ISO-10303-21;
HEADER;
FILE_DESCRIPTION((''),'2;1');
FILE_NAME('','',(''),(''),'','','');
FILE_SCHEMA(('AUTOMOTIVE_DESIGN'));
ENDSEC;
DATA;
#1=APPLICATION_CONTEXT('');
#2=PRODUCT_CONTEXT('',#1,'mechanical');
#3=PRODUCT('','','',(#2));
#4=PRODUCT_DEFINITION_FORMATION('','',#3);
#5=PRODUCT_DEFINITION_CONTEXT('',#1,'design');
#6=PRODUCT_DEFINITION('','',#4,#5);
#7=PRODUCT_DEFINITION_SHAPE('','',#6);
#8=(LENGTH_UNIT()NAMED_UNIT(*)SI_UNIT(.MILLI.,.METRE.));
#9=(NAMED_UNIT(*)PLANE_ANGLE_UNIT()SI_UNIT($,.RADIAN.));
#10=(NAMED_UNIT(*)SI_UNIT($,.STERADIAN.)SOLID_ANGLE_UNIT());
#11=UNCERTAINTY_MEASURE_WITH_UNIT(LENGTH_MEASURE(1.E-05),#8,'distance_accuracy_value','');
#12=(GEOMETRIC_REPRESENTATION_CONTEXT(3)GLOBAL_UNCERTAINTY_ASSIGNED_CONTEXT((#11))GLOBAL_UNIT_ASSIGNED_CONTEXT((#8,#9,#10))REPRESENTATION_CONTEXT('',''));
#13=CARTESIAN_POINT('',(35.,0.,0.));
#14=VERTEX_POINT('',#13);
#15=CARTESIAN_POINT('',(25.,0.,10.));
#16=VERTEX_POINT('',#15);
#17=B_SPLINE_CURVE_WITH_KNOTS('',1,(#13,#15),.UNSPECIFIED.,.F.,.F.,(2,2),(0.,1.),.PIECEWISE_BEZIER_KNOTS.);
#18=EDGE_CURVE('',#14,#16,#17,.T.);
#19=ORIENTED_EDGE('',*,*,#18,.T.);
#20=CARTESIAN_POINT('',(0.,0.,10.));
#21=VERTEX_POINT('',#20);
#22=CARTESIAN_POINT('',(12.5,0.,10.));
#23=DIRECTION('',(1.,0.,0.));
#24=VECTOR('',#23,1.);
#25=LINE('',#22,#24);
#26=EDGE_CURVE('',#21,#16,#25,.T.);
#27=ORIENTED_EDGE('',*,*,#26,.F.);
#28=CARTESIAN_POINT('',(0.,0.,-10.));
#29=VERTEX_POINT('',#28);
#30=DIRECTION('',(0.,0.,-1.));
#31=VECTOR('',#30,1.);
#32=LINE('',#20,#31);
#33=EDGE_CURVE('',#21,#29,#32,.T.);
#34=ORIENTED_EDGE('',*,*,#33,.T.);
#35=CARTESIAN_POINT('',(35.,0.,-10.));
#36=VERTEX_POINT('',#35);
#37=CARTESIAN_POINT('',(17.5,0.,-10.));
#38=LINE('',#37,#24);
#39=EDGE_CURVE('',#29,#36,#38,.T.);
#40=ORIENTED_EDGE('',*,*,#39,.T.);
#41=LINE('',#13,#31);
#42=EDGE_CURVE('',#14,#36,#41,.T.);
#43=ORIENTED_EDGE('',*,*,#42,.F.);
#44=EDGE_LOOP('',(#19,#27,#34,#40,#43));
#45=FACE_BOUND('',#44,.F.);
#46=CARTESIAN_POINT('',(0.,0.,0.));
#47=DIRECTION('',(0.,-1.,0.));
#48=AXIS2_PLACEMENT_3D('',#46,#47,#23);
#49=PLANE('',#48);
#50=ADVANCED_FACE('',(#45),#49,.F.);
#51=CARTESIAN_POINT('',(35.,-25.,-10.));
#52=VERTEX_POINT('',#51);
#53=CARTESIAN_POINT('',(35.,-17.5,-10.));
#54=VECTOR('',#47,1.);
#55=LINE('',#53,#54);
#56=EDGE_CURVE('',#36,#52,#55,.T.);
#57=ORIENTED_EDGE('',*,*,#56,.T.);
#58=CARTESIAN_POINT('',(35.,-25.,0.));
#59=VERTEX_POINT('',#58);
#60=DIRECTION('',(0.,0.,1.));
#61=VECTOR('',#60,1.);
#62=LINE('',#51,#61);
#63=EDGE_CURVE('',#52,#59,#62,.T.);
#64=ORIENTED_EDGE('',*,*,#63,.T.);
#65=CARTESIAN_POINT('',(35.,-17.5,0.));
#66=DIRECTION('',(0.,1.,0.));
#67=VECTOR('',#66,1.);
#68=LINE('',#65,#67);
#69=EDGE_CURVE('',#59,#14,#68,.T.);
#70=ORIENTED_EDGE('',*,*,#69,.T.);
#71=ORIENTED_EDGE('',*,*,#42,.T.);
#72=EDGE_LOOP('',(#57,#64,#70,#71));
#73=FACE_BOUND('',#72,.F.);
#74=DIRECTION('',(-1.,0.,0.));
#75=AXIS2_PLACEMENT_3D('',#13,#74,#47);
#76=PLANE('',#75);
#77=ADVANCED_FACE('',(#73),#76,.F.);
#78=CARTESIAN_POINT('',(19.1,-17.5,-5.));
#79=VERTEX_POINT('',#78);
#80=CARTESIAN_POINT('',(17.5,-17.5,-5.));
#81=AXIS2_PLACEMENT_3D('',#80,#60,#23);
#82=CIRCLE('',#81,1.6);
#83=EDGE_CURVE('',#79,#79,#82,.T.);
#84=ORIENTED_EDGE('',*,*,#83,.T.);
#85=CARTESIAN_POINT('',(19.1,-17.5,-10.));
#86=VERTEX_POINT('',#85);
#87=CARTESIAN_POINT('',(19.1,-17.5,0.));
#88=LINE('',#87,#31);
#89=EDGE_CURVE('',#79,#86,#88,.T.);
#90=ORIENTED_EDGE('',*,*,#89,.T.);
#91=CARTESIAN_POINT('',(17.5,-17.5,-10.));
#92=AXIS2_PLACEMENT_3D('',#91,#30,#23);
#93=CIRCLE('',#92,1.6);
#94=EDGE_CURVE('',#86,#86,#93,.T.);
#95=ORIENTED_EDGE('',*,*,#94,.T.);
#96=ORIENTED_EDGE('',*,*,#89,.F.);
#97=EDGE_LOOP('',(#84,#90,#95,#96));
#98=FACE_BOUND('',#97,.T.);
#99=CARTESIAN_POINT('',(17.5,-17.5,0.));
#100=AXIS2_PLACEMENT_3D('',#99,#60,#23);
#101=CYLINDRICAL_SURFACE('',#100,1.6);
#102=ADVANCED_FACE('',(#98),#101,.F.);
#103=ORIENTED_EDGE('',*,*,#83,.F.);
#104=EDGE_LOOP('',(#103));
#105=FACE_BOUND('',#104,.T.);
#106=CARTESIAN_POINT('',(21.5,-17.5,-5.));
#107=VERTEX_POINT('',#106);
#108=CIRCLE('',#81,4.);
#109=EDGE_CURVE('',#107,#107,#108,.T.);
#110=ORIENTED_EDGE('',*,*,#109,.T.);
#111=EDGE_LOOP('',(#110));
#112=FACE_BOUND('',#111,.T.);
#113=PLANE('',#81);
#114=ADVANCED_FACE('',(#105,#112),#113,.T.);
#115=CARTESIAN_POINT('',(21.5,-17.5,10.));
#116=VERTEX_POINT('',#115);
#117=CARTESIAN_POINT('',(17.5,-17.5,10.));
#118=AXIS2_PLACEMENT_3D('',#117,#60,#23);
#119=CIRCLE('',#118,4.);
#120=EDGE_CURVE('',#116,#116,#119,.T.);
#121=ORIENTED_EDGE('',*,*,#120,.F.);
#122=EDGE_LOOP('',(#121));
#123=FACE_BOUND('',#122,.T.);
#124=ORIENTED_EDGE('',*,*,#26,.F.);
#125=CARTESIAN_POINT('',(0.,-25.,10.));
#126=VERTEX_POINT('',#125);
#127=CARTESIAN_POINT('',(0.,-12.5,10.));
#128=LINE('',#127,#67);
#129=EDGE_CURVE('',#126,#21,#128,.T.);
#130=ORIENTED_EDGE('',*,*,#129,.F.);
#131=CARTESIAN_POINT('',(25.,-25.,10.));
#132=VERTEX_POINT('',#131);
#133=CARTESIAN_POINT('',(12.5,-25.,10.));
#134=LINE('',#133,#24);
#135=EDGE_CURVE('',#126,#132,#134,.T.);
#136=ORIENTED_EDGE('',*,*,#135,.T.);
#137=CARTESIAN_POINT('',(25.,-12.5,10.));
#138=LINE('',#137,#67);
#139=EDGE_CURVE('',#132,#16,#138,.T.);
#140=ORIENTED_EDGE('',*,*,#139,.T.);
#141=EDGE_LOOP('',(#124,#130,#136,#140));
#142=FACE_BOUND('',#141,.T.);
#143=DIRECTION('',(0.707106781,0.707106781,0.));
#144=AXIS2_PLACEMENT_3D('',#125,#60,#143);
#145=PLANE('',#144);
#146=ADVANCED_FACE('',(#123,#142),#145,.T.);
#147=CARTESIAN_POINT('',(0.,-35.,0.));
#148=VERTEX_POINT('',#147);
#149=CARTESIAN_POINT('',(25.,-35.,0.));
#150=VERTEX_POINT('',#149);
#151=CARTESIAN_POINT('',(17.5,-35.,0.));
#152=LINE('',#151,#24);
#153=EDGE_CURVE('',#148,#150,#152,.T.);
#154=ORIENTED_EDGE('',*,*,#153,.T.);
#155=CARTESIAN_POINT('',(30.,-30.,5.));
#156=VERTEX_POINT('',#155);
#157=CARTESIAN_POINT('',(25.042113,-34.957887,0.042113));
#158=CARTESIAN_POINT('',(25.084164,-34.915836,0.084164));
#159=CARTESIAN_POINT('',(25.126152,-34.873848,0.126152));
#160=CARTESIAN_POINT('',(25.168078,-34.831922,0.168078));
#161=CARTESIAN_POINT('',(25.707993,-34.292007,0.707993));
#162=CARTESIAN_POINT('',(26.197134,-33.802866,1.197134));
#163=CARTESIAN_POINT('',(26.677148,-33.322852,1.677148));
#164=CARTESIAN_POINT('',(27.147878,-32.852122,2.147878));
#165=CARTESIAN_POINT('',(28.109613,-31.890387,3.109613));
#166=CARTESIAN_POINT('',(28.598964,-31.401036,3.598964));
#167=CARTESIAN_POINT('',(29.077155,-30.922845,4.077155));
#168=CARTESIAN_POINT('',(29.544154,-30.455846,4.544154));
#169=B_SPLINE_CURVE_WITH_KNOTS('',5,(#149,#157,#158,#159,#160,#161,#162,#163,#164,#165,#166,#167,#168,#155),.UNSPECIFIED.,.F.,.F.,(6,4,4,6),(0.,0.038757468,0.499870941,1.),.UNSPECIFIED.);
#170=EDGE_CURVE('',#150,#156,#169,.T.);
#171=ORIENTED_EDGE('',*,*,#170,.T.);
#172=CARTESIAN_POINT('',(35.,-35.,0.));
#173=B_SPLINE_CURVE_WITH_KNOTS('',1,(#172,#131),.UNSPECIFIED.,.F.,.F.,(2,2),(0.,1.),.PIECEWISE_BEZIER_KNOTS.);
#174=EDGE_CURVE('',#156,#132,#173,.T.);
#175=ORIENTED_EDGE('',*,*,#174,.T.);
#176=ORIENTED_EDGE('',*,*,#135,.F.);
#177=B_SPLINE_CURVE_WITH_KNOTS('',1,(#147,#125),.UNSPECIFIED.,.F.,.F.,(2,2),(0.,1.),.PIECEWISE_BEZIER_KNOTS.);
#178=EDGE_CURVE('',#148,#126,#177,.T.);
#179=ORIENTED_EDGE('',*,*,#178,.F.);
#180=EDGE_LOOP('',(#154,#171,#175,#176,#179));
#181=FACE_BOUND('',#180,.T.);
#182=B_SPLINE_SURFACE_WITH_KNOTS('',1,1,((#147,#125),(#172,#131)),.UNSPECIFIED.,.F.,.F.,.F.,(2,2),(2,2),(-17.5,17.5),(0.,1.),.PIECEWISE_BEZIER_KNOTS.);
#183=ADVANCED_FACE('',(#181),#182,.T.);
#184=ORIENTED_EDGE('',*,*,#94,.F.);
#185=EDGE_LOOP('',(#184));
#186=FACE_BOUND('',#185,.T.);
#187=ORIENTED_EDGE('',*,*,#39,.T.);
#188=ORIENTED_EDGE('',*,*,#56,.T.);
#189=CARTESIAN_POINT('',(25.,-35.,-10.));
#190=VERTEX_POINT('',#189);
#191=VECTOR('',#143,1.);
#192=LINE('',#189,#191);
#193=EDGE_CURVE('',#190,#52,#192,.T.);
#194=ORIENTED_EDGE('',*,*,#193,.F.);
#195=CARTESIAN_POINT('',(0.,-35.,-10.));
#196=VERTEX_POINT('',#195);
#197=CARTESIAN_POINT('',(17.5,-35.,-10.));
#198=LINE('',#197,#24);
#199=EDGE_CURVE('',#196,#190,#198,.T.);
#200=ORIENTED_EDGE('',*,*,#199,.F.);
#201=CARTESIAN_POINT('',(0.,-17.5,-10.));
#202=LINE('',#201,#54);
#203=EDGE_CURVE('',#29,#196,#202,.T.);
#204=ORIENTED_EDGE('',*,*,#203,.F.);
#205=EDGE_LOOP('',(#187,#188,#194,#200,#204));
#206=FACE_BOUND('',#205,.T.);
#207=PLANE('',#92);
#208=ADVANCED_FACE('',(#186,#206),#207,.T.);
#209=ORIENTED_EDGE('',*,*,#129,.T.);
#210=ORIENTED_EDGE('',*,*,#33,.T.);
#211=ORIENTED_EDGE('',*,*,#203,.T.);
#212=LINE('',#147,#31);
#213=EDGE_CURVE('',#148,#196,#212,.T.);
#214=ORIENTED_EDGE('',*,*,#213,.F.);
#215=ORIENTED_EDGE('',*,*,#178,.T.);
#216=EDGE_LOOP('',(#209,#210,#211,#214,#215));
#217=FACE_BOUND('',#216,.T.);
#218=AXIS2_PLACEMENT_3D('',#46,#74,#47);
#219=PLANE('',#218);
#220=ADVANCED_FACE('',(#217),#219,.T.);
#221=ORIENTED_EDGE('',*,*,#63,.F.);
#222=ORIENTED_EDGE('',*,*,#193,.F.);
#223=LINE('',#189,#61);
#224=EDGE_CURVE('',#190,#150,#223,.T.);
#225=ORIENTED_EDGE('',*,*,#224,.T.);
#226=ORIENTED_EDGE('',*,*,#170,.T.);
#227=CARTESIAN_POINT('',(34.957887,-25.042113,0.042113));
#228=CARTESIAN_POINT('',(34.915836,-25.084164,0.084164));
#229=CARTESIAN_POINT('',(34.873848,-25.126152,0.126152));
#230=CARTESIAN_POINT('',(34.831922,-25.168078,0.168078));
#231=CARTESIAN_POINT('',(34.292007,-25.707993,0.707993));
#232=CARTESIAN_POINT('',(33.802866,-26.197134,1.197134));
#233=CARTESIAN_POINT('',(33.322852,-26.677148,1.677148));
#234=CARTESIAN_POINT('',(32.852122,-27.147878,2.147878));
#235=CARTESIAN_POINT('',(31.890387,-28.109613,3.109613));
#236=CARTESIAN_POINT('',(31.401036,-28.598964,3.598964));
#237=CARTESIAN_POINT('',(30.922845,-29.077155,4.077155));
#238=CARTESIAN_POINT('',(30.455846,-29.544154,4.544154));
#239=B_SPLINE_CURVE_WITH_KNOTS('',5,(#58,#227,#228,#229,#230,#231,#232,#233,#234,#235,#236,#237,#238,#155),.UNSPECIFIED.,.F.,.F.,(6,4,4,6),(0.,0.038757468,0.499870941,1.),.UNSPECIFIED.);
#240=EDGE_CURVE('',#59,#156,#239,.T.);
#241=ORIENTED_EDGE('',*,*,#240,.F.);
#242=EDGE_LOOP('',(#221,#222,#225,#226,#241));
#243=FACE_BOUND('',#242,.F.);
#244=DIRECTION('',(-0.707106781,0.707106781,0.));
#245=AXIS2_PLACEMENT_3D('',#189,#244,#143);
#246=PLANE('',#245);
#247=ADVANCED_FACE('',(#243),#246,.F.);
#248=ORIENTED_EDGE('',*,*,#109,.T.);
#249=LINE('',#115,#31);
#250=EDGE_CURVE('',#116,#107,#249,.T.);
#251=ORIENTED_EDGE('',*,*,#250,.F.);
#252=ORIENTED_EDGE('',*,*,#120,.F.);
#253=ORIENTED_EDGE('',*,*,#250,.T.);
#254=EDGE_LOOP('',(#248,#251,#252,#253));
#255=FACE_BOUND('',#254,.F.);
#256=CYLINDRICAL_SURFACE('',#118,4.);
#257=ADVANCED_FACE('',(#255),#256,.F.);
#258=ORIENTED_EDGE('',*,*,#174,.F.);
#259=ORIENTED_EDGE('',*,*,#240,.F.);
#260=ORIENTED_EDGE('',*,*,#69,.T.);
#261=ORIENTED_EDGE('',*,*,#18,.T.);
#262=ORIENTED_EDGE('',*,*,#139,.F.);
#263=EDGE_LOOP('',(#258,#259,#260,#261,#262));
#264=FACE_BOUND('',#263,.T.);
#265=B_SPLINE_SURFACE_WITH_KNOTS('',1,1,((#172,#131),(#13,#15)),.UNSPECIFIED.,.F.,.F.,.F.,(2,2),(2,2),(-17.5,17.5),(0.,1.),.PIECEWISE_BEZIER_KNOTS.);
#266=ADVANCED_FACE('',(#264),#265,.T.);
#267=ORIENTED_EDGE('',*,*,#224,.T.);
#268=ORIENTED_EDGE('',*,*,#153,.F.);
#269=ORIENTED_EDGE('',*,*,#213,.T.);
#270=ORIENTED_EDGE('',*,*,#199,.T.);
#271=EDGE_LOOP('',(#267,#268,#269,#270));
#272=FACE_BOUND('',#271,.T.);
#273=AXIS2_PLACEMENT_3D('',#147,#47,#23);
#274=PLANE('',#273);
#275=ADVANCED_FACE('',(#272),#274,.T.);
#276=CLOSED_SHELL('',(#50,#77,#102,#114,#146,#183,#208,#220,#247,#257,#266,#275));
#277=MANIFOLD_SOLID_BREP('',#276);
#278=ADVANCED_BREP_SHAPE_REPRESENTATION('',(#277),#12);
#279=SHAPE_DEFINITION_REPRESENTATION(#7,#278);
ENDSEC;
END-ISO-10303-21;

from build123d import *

# Parameters (mm, degrees)
F0_W      = 35
F0_H      = 35
F2_W      = 25
F2_H      = 25
F4_W      = 35
F4_H      = 35
F4_R      = 1.6
F5_DEPTH  = 10
F6_DEPTH  = 10.0010001
F7_R      = 4
F7_R_2    = 1.6
F8_DEPTH  = 15
F10_DEPTH = 25


with BuildPart() as f3:
    # F0 (on Top) → F3 section 0
    with BuildSketch(Plane.XY):
        with Locations((17.5, -17.5)):
            Rectangle(F0_W, F0_H)
    # F2 (on offset) → F3 section 1
    with BuildSketch(Plane.XY.offset(10)):
        with Locations((12.5, -12.5)):
            Rectangle(F2_W, F2_H)
    loft()

    # F4 (on face) → F5 (join)
    with BuildSketch(Plane(origin=(0, 0, 0), x_dir=(1, 0, 0), z_dir=(0, 0, -1))):
        with Locations((17.5, 17.5)):
            Rectangle(F4_W, F4_H)
        with Locations((17.5, 17.5)):
            Circle(F4_R, mode=Mode.SUBTRACT)
    extrude(amount=F5_DEPTH)

    # F4 (on face) → F6 (cut, through all)
    with BuildSketch(Plane(origin=(0, 0, 0), x_dir=(1, 0, 0), z_dir=(0, 0, -1))):
        with Locations((17.5, 17.5)):
            Circle(F4_R)
    extrude(amount=-F6_DEPTH, mode=Mode.SUBTRACT)

    # F7 (on face) → F8 (cut)
    with BuildSketch(Plane.XY.offset(10)):
        with Locations((17.5, -17.5)):
            Circle(F7_R)
        with Locations((17.5, -17.5)):
            Circle(F7_R_2, mode=Mode.SUBTRACT)
    extrude(amount=-F8_DEPTH, mode=Mode.SUBTRACT)

    # F9 (on face) → F10 (cut)
    with BuildSketch(Plane(origin=(0, 0, -10), x_dir=(1, 0, 0), z_dir=(0, 0, -1))):
        Polygon((35, 25), (35, 35), (25, 35), align=None)
    extrude(amount=-F10_DEPTH, mode=Mode.SUBTRACT)


solid = f3.part
